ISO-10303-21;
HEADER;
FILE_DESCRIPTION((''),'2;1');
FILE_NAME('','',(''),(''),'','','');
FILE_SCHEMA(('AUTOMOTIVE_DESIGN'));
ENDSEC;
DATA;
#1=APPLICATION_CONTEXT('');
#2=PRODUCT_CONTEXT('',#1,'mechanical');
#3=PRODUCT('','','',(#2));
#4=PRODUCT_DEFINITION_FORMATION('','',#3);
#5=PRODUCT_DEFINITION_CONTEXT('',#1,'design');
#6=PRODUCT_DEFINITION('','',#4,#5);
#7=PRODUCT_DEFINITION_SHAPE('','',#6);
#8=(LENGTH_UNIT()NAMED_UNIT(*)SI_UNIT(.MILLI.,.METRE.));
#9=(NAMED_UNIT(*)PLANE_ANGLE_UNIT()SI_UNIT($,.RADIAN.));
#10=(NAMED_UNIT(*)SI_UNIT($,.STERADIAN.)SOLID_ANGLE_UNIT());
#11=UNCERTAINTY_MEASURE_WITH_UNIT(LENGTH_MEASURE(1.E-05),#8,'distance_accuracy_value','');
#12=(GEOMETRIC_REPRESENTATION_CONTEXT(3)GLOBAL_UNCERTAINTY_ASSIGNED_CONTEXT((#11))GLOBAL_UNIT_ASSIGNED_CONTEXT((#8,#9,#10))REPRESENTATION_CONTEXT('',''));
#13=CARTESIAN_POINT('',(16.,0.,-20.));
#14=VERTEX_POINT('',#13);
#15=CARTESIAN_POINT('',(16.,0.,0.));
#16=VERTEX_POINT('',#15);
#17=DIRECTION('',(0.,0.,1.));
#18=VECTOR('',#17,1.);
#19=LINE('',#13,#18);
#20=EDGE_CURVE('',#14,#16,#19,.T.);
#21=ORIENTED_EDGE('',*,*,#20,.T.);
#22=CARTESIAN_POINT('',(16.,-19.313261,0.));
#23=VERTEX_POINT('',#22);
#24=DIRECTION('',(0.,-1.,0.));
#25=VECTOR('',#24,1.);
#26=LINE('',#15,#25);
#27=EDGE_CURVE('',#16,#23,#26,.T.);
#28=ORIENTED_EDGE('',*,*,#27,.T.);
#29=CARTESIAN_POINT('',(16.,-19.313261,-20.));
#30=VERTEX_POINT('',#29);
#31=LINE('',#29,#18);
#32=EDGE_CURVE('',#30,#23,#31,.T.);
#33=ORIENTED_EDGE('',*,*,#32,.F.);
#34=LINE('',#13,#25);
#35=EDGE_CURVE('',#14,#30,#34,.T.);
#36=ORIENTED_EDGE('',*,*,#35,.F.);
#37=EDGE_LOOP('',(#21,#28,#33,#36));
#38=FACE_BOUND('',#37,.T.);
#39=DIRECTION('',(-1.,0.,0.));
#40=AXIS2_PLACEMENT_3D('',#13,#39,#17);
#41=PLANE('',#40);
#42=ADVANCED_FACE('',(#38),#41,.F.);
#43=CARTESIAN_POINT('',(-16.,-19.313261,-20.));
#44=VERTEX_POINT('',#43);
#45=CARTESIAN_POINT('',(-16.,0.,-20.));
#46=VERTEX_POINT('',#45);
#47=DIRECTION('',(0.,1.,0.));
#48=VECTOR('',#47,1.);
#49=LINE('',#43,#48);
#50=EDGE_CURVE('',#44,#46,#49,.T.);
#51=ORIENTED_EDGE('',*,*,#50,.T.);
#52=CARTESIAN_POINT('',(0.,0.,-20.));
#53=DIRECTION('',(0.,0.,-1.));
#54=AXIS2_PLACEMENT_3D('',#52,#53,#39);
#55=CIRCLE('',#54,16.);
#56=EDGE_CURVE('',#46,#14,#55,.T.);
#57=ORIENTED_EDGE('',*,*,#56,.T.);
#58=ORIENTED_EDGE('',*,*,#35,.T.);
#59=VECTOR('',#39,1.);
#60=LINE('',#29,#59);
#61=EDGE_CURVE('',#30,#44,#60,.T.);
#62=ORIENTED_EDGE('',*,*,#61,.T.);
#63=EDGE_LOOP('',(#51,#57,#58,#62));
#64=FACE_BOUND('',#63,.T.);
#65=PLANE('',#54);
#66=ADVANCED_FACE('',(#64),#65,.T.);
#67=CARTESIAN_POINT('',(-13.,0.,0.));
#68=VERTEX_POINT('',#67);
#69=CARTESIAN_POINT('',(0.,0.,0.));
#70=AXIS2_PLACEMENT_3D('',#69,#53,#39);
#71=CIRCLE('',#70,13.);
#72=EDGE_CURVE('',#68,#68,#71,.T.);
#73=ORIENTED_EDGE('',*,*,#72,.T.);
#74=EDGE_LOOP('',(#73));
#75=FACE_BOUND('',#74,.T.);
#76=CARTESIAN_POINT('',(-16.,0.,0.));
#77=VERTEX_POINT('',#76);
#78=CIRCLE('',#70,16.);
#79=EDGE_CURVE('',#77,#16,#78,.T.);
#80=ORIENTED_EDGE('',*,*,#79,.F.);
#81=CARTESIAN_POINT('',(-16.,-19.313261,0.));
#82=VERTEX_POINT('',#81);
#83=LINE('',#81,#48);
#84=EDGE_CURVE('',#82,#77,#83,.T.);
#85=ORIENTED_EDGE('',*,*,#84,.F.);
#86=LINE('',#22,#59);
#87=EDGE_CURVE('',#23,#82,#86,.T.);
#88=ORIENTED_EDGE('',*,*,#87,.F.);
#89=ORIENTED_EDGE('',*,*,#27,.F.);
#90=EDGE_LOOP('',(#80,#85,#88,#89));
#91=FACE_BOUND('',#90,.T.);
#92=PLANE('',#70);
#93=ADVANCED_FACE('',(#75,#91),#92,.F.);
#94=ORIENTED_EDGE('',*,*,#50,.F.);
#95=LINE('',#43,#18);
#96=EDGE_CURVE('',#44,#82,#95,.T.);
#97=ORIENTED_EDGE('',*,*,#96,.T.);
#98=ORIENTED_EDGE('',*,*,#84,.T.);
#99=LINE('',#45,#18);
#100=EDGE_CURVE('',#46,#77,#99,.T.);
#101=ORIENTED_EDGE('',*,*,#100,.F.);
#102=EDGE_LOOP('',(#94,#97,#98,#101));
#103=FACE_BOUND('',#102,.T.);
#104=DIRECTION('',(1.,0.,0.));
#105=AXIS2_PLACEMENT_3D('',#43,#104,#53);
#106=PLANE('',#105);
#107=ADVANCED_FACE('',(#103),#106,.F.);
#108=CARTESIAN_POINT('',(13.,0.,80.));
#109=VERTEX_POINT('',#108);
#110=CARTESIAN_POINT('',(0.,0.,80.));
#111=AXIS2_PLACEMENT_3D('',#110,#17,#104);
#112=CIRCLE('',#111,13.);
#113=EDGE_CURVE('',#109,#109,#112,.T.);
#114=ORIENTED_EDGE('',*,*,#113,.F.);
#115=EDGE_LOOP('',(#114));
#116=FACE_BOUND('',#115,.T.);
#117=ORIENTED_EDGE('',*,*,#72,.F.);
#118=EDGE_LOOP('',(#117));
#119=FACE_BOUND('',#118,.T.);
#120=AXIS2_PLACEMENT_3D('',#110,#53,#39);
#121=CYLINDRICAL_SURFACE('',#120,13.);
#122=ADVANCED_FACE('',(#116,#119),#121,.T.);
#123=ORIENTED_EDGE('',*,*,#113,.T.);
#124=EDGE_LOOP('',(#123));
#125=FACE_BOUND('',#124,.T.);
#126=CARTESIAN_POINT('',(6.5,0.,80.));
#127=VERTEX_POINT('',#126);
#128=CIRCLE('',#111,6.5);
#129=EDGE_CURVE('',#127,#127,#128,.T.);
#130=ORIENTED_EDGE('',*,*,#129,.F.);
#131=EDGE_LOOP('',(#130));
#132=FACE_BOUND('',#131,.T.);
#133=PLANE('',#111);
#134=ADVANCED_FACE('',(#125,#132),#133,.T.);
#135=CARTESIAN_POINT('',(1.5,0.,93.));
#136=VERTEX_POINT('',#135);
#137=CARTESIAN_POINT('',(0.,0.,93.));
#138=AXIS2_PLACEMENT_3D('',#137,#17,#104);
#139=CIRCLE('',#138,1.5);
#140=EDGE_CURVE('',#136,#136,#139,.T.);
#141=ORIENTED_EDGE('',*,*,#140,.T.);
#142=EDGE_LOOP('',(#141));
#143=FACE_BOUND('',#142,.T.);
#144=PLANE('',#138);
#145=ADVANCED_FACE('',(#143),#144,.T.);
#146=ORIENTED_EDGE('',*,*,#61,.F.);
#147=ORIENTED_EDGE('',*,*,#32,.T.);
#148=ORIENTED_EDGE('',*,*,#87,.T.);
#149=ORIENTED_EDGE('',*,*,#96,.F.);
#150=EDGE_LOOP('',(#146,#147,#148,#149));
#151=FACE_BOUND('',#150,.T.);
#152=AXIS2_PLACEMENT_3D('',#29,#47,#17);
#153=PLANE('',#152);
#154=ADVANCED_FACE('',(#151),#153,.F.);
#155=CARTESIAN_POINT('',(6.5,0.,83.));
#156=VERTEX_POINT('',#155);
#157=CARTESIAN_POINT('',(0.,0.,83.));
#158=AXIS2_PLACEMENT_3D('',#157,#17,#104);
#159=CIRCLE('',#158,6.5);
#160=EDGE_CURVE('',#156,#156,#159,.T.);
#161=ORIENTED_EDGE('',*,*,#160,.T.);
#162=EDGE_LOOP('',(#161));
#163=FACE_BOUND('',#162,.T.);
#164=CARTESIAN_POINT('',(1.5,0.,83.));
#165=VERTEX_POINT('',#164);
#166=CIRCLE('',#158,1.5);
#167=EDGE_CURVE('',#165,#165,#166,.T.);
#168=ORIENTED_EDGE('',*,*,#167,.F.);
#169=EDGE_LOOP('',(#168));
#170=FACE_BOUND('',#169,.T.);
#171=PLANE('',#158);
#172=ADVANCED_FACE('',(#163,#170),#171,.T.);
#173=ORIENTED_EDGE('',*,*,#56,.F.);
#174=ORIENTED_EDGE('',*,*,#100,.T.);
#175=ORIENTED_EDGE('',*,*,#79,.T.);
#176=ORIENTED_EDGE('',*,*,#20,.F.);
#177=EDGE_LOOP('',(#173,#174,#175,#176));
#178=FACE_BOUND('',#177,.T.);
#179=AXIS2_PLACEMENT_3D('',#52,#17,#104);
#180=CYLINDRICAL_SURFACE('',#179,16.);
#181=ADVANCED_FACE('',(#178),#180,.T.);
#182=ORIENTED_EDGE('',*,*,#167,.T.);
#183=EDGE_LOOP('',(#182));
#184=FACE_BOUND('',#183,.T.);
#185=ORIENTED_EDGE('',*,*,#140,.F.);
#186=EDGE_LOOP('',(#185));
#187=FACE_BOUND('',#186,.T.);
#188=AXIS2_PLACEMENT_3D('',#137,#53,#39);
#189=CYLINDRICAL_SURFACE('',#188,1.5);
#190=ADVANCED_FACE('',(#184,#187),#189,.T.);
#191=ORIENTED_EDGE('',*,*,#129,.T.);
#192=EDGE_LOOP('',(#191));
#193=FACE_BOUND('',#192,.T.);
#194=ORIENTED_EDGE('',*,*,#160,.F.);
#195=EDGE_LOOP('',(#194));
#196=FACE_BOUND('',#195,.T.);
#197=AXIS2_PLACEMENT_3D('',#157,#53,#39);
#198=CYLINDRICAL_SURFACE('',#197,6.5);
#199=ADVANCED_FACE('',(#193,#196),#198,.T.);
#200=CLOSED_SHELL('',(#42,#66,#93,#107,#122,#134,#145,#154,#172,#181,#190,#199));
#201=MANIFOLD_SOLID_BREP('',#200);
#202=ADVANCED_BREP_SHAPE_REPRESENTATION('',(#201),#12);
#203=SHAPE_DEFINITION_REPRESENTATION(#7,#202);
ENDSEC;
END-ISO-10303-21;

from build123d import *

# Parameters (mm, degrees)
ESQUISSE1_R      = 13
EXTRUSION1_DEPTH = 80
ESQUISSE2_R      = 6.5
EXTRUSION2_DEPTH = 3
ESQUISSE3_R      = 1.5
EXTRUSION3_DEPTH = 10
EXTRUSION5_DEPTH = 20


with BuildPart() as part:
    # Esquisse1 → Extrusion1 (new body)
    with BuildSketch(Plane.XY):
        Circle(ESQUISSE1_R)
    extrude(amount=EXTRUSION1_DEPTH)

    # Esquisse2 → Extrusion2 (add)
    with BuildSketch(Plane.XY.offset(80)):
        Circle(ESQUISSE2_R)
    extrude(amount=EXTRUSION2_DEPTH)

    # Esquisse3 → Extrusion3 (add)
    with BuildSketch(Plane.XY.offset(83)):
        Circle(ESQUISSE3_R)
    extrude(amount=EXTRUSION3_DEPTH)

    # Esquisse4 → Extrusion5 (add)
    with BuildSketch(Plane(origin=(0, 0, 0), x_dir=(-1, 0, 0), z_dir=(0, 0, -1))):
        with BuildLine():
            Line((-16, 0), (-16, -19.313261222))
            Line((-16, -19.313261222), (16, -19.313261222))
            Line((16, -19.313261222), (16, 0))
            ThreePointArc((16, 0), (0, 16), (-16, 0))
        make_face()
    extrude(amount=EXTRUSION5_DEPTH)


solid = part.part
